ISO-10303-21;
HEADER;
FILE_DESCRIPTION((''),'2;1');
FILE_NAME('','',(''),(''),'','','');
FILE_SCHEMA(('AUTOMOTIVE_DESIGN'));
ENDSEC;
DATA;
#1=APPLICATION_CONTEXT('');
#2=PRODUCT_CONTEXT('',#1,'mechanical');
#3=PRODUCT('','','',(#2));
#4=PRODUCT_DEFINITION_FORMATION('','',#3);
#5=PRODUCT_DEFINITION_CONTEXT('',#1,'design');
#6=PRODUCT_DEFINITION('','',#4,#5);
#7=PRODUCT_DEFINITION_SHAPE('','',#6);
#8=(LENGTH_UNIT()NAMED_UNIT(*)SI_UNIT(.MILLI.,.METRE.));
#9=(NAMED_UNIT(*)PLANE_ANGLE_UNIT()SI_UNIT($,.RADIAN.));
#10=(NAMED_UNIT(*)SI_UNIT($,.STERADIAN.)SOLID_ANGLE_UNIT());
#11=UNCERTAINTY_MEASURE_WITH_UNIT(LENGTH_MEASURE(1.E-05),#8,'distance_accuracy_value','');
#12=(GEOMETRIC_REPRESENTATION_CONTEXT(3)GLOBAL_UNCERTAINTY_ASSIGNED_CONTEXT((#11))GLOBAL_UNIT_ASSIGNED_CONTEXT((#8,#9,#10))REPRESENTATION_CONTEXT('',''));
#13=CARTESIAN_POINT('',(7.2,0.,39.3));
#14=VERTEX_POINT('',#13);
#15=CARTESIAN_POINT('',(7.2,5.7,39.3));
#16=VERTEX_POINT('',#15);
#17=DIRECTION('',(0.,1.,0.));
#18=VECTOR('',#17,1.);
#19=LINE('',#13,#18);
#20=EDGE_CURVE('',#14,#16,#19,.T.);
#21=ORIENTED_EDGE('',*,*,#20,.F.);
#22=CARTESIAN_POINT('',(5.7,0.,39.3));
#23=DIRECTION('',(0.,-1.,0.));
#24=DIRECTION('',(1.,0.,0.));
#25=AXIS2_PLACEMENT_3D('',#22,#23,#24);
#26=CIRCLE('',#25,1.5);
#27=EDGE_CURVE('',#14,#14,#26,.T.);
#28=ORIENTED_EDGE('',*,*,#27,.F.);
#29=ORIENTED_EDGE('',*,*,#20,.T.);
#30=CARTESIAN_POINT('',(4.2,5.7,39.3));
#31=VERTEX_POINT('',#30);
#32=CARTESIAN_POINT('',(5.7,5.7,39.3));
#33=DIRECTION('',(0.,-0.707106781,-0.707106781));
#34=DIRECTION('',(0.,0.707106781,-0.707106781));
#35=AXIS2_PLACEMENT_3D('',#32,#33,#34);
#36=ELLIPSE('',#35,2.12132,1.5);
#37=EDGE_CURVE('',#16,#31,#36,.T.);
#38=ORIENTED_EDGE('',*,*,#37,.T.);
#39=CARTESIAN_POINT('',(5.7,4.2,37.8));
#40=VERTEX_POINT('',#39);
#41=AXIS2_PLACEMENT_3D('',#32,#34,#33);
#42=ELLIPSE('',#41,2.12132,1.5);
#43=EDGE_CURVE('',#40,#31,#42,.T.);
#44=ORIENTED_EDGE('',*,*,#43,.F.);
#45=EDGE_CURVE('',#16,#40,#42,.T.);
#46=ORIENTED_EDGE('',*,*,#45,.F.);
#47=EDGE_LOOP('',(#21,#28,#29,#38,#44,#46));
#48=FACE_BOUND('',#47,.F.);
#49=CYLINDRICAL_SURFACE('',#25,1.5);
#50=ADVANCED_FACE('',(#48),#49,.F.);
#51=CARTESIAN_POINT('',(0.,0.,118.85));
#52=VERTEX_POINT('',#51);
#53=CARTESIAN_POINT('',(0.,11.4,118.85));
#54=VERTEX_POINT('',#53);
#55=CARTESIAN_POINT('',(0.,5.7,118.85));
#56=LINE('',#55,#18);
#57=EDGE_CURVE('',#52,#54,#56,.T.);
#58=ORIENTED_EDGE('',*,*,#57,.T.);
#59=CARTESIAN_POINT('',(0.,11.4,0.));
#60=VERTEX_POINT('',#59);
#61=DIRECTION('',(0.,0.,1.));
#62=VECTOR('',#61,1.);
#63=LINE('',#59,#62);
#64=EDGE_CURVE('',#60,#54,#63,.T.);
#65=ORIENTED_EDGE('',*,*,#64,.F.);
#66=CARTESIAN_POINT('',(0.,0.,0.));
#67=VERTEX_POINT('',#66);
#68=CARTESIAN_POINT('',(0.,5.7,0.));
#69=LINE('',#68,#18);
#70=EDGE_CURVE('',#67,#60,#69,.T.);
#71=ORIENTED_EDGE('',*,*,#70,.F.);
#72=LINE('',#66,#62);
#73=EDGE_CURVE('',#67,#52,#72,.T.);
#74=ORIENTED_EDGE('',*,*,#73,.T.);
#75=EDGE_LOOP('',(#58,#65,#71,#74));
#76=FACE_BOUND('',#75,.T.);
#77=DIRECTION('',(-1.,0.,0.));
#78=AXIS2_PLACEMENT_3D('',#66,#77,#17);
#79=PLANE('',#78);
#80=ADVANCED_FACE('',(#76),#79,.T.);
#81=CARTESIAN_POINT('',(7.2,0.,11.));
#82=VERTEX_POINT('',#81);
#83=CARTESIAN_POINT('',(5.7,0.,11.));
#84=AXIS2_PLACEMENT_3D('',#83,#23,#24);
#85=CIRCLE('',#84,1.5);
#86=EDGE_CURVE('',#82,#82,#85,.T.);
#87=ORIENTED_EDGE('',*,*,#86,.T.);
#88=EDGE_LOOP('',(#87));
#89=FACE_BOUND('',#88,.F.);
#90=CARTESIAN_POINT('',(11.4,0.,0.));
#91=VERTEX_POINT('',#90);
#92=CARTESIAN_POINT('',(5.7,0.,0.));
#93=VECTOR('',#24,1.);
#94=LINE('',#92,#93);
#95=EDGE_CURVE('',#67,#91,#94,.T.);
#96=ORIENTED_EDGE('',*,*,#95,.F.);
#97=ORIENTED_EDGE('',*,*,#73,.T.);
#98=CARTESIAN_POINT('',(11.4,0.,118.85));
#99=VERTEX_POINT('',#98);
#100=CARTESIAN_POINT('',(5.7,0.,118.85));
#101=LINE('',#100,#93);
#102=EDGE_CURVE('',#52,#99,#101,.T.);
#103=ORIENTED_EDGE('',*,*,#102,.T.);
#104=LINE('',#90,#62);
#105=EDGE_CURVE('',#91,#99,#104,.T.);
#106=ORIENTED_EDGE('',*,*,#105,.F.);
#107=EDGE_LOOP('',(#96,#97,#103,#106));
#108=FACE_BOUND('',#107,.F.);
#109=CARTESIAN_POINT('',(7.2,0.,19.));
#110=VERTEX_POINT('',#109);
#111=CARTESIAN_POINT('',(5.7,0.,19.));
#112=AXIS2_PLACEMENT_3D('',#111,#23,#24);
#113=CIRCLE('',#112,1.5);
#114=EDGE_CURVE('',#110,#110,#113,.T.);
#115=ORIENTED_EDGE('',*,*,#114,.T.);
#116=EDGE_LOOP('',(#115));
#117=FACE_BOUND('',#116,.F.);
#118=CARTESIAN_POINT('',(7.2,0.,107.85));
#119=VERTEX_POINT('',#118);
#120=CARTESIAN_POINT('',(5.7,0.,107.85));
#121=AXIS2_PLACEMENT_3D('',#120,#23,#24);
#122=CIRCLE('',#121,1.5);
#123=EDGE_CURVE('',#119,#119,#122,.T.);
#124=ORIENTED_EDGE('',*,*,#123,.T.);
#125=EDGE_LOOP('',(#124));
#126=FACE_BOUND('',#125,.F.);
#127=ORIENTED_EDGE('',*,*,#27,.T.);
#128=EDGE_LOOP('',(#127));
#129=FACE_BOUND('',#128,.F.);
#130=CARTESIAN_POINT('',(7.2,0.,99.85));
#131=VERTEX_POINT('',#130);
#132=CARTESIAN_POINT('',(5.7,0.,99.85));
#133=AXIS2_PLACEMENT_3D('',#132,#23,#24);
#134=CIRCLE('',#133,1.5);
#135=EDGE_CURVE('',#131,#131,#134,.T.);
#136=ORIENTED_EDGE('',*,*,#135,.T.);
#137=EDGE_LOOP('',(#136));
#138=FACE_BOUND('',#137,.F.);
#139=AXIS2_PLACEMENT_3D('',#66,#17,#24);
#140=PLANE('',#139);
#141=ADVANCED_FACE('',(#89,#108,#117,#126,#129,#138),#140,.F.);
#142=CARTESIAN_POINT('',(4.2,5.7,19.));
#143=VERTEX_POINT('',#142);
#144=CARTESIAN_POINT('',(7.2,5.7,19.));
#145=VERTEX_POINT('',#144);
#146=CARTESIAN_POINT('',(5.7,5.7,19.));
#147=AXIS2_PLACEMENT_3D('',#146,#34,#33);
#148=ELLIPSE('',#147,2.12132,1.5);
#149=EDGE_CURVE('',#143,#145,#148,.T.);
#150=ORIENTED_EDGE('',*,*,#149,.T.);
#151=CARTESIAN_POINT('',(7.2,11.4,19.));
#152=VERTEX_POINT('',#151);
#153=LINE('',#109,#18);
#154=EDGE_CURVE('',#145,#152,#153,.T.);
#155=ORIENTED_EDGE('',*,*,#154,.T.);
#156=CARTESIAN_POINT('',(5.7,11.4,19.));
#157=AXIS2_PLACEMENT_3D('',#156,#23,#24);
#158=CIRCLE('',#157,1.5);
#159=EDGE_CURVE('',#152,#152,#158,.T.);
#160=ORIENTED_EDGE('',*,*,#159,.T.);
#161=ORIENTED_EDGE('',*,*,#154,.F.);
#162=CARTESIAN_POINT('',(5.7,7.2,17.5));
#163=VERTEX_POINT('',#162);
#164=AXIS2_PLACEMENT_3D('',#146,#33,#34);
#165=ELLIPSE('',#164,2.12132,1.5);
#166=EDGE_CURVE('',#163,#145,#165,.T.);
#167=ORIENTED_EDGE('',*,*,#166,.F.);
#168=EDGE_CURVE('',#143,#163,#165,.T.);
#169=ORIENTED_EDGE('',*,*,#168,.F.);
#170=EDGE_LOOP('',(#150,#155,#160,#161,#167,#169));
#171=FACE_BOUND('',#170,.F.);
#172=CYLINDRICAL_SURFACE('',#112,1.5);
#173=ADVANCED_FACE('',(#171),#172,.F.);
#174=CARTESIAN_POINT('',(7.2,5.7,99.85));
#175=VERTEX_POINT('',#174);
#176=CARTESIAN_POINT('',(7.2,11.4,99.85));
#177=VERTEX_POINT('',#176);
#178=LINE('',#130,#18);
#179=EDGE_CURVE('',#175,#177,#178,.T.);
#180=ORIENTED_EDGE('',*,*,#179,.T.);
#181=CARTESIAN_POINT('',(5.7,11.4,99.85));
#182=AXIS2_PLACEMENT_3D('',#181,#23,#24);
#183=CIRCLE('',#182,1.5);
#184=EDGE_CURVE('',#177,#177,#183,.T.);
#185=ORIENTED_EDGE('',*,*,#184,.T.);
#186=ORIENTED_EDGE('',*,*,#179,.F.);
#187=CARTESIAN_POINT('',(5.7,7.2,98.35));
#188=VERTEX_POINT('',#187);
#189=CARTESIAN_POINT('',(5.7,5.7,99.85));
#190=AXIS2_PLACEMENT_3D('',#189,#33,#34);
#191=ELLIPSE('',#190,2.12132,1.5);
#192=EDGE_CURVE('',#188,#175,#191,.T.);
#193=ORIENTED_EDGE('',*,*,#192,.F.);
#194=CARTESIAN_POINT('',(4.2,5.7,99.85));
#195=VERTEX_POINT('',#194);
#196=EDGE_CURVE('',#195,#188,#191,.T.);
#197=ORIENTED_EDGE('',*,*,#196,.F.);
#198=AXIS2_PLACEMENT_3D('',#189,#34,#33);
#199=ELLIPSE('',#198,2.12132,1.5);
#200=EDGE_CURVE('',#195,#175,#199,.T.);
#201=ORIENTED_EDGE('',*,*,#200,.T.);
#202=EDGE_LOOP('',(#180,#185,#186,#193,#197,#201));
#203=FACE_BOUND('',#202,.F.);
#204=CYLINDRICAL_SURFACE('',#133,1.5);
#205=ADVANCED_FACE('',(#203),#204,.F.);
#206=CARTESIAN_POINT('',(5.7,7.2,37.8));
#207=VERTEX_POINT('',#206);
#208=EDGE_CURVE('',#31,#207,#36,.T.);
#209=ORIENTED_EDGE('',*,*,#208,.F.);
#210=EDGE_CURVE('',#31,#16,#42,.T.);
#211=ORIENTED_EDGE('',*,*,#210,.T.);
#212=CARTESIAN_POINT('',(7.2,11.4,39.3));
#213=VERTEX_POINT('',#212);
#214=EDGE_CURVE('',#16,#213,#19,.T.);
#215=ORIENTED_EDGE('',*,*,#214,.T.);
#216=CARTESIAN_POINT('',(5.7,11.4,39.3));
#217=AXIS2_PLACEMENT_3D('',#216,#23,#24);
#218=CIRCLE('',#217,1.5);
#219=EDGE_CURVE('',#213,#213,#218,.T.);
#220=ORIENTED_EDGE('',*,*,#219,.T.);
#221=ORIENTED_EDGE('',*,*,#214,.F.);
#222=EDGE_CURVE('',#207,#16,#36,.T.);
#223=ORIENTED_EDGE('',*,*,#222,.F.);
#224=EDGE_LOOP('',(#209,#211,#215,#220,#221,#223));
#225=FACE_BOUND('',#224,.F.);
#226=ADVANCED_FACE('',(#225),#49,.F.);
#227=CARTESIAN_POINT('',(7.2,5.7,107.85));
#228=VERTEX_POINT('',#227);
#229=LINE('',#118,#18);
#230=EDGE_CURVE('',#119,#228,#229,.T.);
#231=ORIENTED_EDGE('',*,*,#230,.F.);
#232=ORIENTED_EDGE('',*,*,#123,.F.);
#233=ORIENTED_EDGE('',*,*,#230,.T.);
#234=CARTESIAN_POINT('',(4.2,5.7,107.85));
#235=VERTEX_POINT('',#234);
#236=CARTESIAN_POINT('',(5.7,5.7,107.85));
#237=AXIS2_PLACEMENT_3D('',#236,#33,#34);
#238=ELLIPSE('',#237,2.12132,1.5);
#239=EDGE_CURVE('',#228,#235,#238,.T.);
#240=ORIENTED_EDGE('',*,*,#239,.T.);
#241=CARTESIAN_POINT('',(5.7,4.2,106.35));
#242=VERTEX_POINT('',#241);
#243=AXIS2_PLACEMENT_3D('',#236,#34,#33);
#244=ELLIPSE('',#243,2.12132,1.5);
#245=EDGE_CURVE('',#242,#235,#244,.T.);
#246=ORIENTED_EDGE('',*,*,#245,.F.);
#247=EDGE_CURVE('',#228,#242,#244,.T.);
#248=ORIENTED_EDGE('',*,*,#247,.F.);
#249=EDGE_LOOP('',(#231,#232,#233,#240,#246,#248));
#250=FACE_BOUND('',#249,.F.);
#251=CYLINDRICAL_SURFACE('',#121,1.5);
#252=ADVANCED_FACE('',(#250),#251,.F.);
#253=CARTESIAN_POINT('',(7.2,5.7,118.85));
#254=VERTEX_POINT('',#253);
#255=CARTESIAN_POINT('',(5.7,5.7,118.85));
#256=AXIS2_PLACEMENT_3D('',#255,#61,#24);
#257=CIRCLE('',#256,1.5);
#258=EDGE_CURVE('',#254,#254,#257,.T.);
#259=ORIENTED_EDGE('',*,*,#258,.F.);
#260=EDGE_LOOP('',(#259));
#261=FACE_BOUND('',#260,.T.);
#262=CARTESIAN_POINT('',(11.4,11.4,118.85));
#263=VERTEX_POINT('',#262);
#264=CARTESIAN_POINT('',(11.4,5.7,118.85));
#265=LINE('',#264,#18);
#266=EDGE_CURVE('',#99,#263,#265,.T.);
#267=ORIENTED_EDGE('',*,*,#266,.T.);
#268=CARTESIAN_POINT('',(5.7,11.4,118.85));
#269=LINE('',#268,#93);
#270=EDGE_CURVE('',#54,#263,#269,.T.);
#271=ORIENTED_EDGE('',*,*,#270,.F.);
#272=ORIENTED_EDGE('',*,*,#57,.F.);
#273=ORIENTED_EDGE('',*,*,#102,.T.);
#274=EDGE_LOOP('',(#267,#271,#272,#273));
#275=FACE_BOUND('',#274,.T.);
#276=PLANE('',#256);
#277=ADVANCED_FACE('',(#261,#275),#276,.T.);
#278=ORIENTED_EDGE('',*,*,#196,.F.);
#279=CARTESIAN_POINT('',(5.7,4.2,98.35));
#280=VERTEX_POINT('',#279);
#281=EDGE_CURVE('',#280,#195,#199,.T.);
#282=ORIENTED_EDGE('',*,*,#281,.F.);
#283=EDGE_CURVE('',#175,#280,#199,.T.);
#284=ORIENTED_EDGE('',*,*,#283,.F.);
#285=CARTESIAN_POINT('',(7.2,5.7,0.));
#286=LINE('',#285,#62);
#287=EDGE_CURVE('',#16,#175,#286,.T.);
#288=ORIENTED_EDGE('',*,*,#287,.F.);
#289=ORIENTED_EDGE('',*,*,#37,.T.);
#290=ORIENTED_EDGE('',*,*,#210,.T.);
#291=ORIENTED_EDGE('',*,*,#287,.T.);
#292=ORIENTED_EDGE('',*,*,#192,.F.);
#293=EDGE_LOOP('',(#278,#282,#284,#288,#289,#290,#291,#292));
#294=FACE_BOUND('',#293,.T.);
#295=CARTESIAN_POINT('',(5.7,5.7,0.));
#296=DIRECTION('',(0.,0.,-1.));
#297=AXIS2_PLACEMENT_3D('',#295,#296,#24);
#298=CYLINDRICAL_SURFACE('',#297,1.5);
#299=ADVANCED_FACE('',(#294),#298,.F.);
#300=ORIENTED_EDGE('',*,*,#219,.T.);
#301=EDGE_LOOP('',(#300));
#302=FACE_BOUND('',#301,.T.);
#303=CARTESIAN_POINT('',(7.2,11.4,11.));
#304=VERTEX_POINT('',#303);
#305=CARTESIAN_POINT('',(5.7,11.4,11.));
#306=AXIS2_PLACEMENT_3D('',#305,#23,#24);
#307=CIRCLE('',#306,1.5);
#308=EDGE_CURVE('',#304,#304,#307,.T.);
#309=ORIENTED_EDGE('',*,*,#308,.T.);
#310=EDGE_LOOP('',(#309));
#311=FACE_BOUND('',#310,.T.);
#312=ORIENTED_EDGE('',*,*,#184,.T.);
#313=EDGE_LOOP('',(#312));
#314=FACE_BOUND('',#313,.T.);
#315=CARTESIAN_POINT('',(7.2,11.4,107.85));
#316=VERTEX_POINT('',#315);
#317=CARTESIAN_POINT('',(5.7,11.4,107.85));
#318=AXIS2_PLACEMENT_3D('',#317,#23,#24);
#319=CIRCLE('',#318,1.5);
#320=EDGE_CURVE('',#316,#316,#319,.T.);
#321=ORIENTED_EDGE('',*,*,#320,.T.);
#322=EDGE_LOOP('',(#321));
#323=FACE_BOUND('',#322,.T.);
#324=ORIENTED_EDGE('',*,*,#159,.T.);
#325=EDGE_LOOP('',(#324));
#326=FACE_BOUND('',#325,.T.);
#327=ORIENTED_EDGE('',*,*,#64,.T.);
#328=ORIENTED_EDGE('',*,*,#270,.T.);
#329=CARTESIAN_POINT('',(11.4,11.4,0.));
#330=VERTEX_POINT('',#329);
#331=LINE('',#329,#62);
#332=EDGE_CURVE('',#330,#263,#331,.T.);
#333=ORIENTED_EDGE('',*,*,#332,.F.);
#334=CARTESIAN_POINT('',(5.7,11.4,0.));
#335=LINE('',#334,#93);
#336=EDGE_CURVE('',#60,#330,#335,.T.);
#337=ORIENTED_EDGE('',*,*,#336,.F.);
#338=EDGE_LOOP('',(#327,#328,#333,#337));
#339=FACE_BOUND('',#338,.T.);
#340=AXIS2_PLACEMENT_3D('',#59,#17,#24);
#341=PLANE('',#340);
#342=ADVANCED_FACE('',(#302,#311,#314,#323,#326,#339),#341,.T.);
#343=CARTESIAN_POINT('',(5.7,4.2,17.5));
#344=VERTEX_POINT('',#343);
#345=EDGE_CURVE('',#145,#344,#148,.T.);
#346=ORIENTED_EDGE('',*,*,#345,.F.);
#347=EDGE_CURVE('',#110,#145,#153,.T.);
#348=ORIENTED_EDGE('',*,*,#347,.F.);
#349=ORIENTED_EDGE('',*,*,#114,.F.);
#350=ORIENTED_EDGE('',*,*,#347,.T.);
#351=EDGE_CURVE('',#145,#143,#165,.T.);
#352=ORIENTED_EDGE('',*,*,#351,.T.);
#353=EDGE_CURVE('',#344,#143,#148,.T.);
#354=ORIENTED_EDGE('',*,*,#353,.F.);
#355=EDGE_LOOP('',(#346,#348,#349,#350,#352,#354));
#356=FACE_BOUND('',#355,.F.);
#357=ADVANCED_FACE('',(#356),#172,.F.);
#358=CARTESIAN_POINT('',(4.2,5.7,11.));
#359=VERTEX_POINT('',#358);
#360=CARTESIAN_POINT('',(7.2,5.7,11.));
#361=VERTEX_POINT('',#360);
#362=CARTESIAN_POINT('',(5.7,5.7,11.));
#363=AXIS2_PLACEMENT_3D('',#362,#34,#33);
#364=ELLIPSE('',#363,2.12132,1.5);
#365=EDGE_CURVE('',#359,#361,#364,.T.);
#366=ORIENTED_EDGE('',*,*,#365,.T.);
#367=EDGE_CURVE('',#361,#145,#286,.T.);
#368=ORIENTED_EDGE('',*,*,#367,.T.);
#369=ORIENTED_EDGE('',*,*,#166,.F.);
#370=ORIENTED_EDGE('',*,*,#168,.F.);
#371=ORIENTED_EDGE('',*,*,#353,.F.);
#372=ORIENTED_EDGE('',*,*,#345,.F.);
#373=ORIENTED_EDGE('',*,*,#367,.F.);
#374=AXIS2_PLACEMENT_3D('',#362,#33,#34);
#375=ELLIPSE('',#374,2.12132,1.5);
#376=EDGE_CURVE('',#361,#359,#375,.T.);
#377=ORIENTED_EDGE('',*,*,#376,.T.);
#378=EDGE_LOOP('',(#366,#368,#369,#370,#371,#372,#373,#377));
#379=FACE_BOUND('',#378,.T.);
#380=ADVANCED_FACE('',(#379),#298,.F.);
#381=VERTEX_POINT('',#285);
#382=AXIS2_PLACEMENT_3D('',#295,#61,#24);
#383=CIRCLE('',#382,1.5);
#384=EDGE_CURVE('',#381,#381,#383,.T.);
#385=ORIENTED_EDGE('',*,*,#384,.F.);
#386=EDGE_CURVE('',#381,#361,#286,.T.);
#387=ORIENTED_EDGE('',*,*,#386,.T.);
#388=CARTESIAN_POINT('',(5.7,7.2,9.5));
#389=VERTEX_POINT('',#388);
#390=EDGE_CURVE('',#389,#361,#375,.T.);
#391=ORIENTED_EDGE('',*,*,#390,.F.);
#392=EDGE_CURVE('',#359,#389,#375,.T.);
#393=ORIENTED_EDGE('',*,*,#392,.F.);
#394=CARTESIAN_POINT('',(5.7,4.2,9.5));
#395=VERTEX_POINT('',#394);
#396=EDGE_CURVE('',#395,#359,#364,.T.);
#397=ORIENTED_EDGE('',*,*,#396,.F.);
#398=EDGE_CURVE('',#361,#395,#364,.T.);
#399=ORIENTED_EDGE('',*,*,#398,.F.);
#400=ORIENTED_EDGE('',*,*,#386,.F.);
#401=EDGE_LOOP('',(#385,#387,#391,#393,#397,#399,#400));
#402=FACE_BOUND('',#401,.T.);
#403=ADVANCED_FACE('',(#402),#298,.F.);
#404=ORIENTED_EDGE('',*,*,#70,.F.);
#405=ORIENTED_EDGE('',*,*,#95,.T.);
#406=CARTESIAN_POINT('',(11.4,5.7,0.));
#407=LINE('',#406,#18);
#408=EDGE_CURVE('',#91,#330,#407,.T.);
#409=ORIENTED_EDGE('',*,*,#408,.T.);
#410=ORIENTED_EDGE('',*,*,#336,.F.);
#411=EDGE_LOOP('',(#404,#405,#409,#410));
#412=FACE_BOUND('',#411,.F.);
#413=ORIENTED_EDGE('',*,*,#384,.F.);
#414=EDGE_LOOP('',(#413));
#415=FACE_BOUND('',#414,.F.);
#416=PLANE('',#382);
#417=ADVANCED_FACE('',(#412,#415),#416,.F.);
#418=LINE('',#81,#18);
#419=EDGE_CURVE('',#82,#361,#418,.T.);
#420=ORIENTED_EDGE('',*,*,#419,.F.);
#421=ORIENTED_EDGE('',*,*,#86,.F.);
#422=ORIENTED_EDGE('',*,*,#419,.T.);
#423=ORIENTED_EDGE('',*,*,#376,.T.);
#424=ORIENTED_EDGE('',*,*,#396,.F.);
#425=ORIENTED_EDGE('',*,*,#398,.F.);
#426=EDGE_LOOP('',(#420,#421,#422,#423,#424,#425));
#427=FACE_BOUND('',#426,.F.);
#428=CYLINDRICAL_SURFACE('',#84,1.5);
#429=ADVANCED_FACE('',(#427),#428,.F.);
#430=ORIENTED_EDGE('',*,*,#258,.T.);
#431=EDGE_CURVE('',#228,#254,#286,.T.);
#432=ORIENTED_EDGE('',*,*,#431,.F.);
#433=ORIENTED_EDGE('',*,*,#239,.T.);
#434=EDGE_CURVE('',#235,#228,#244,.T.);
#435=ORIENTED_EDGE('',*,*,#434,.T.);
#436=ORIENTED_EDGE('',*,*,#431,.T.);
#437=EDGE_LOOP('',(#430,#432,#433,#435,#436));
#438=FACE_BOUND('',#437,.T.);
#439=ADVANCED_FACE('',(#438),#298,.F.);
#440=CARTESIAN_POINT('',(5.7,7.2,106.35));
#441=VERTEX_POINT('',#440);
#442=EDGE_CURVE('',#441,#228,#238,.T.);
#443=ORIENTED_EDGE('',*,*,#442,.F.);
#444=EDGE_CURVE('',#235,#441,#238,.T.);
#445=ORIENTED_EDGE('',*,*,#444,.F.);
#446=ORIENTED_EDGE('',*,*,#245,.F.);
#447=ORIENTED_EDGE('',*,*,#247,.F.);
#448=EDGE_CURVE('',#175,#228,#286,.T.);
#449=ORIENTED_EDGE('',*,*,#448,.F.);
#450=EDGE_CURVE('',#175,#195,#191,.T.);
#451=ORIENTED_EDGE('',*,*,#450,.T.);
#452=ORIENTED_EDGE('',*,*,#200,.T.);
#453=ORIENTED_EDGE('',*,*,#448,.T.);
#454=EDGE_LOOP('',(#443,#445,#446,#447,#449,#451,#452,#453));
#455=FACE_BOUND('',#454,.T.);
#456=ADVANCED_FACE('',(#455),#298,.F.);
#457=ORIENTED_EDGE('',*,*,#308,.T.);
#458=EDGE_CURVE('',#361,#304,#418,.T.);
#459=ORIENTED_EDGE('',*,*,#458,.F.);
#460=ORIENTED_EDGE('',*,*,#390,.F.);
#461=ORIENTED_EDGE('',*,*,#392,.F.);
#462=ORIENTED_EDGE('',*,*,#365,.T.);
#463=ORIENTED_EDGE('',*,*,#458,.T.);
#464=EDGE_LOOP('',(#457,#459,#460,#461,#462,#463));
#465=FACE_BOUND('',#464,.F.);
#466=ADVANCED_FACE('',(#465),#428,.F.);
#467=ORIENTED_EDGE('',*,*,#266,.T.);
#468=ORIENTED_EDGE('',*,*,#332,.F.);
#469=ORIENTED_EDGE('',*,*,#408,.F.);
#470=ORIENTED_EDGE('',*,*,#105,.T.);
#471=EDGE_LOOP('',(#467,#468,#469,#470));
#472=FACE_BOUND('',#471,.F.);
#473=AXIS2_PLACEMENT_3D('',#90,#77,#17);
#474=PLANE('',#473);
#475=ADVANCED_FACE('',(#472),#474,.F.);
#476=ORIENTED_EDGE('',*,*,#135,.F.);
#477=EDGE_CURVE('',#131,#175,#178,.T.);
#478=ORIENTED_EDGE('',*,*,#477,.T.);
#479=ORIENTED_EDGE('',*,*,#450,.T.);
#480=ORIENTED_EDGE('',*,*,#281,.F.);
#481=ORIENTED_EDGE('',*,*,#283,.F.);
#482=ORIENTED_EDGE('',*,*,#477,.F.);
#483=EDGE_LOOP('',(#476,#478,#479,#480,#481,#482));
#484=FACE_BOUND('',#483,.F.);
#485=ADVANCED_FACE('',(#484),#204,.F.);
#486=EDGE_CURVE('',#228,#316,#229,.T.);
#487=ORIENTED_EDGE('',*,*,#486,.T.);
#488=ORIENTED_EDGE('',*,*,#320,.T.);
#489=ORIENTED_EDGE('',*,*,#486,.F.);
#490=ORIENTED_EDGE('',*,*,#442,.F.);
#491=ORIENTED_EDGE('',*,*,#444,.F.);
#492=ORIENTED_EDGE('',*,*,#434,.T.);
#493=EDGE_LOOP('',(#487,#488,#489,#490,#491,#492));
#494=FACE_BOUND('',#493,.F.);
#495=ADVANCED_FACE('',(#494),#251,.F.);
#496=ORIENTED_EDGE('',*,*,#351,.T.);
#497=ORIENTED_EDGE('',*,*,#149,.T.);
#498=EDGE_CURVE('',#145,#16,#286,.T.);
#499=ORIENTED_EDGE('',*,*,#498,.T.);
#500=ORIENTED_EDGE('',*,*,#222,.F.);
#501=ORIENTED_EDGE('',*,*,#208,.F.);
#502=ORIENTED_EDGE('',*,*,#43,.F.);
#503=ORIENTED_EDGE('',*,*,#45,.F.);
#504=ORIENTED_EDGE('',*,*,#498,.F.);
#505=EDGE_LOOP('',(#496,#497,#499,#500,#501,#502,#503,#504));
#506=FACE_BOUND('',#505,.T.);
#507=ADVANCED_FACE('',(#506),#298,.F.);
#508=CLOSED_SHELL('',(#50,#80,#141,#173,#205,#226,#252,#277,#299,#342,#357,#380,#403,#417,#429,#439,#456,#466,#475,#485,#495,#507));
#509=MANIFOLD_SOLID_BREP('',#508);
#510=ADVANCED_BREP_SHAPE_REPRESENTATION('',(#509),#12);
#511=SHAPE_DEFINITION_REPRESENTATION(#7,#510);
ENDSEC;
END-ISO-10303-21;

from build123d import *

# Parameters (mm, degrees)
SKETCH_W     = 11.4
SKETCH_H     = 11.4
SKETCH_R     = 1.5
PAD_DEPTH    = 118.85
SKETCH001_R  = 1.5
POCKET_DEPTH = 11.401


with BuildPart() as part:
    # Sketch → Pad (new body)
    with BuildSketch(Plane.XY):
        with Locations((5.7, 5.7)):
            Rectangle(SKETCH_W, SKETCH_H)
        with Locations((5.7, 5.7)):
            Circle(SKETCH_R, mode=Mode.SUBTRACT)
    extrude(amount=PAD_DEPTH)

    # Sketch001 → Pocket (cut, through all)
    with BuildSketch(Plane.XZ):
        with Locations((5.7, 11)):
            Circle(SKETCH001_R)
        with Locations((5.7, 19)):
            Circle(SKETCH001_R)
        with Locations((5.7, 107.85)):
            Circle(SKETCH001_R)
        with Locations((5.7, 99.85)):
            Circle(SKETCH001_R)
        with Locations((5.7, 39.3)):
            Circle(SKETCH001_R)
    extrude(amount=-POCKET_DEPTH, mode=Mode.SUBTRACT)


solid = part.part
